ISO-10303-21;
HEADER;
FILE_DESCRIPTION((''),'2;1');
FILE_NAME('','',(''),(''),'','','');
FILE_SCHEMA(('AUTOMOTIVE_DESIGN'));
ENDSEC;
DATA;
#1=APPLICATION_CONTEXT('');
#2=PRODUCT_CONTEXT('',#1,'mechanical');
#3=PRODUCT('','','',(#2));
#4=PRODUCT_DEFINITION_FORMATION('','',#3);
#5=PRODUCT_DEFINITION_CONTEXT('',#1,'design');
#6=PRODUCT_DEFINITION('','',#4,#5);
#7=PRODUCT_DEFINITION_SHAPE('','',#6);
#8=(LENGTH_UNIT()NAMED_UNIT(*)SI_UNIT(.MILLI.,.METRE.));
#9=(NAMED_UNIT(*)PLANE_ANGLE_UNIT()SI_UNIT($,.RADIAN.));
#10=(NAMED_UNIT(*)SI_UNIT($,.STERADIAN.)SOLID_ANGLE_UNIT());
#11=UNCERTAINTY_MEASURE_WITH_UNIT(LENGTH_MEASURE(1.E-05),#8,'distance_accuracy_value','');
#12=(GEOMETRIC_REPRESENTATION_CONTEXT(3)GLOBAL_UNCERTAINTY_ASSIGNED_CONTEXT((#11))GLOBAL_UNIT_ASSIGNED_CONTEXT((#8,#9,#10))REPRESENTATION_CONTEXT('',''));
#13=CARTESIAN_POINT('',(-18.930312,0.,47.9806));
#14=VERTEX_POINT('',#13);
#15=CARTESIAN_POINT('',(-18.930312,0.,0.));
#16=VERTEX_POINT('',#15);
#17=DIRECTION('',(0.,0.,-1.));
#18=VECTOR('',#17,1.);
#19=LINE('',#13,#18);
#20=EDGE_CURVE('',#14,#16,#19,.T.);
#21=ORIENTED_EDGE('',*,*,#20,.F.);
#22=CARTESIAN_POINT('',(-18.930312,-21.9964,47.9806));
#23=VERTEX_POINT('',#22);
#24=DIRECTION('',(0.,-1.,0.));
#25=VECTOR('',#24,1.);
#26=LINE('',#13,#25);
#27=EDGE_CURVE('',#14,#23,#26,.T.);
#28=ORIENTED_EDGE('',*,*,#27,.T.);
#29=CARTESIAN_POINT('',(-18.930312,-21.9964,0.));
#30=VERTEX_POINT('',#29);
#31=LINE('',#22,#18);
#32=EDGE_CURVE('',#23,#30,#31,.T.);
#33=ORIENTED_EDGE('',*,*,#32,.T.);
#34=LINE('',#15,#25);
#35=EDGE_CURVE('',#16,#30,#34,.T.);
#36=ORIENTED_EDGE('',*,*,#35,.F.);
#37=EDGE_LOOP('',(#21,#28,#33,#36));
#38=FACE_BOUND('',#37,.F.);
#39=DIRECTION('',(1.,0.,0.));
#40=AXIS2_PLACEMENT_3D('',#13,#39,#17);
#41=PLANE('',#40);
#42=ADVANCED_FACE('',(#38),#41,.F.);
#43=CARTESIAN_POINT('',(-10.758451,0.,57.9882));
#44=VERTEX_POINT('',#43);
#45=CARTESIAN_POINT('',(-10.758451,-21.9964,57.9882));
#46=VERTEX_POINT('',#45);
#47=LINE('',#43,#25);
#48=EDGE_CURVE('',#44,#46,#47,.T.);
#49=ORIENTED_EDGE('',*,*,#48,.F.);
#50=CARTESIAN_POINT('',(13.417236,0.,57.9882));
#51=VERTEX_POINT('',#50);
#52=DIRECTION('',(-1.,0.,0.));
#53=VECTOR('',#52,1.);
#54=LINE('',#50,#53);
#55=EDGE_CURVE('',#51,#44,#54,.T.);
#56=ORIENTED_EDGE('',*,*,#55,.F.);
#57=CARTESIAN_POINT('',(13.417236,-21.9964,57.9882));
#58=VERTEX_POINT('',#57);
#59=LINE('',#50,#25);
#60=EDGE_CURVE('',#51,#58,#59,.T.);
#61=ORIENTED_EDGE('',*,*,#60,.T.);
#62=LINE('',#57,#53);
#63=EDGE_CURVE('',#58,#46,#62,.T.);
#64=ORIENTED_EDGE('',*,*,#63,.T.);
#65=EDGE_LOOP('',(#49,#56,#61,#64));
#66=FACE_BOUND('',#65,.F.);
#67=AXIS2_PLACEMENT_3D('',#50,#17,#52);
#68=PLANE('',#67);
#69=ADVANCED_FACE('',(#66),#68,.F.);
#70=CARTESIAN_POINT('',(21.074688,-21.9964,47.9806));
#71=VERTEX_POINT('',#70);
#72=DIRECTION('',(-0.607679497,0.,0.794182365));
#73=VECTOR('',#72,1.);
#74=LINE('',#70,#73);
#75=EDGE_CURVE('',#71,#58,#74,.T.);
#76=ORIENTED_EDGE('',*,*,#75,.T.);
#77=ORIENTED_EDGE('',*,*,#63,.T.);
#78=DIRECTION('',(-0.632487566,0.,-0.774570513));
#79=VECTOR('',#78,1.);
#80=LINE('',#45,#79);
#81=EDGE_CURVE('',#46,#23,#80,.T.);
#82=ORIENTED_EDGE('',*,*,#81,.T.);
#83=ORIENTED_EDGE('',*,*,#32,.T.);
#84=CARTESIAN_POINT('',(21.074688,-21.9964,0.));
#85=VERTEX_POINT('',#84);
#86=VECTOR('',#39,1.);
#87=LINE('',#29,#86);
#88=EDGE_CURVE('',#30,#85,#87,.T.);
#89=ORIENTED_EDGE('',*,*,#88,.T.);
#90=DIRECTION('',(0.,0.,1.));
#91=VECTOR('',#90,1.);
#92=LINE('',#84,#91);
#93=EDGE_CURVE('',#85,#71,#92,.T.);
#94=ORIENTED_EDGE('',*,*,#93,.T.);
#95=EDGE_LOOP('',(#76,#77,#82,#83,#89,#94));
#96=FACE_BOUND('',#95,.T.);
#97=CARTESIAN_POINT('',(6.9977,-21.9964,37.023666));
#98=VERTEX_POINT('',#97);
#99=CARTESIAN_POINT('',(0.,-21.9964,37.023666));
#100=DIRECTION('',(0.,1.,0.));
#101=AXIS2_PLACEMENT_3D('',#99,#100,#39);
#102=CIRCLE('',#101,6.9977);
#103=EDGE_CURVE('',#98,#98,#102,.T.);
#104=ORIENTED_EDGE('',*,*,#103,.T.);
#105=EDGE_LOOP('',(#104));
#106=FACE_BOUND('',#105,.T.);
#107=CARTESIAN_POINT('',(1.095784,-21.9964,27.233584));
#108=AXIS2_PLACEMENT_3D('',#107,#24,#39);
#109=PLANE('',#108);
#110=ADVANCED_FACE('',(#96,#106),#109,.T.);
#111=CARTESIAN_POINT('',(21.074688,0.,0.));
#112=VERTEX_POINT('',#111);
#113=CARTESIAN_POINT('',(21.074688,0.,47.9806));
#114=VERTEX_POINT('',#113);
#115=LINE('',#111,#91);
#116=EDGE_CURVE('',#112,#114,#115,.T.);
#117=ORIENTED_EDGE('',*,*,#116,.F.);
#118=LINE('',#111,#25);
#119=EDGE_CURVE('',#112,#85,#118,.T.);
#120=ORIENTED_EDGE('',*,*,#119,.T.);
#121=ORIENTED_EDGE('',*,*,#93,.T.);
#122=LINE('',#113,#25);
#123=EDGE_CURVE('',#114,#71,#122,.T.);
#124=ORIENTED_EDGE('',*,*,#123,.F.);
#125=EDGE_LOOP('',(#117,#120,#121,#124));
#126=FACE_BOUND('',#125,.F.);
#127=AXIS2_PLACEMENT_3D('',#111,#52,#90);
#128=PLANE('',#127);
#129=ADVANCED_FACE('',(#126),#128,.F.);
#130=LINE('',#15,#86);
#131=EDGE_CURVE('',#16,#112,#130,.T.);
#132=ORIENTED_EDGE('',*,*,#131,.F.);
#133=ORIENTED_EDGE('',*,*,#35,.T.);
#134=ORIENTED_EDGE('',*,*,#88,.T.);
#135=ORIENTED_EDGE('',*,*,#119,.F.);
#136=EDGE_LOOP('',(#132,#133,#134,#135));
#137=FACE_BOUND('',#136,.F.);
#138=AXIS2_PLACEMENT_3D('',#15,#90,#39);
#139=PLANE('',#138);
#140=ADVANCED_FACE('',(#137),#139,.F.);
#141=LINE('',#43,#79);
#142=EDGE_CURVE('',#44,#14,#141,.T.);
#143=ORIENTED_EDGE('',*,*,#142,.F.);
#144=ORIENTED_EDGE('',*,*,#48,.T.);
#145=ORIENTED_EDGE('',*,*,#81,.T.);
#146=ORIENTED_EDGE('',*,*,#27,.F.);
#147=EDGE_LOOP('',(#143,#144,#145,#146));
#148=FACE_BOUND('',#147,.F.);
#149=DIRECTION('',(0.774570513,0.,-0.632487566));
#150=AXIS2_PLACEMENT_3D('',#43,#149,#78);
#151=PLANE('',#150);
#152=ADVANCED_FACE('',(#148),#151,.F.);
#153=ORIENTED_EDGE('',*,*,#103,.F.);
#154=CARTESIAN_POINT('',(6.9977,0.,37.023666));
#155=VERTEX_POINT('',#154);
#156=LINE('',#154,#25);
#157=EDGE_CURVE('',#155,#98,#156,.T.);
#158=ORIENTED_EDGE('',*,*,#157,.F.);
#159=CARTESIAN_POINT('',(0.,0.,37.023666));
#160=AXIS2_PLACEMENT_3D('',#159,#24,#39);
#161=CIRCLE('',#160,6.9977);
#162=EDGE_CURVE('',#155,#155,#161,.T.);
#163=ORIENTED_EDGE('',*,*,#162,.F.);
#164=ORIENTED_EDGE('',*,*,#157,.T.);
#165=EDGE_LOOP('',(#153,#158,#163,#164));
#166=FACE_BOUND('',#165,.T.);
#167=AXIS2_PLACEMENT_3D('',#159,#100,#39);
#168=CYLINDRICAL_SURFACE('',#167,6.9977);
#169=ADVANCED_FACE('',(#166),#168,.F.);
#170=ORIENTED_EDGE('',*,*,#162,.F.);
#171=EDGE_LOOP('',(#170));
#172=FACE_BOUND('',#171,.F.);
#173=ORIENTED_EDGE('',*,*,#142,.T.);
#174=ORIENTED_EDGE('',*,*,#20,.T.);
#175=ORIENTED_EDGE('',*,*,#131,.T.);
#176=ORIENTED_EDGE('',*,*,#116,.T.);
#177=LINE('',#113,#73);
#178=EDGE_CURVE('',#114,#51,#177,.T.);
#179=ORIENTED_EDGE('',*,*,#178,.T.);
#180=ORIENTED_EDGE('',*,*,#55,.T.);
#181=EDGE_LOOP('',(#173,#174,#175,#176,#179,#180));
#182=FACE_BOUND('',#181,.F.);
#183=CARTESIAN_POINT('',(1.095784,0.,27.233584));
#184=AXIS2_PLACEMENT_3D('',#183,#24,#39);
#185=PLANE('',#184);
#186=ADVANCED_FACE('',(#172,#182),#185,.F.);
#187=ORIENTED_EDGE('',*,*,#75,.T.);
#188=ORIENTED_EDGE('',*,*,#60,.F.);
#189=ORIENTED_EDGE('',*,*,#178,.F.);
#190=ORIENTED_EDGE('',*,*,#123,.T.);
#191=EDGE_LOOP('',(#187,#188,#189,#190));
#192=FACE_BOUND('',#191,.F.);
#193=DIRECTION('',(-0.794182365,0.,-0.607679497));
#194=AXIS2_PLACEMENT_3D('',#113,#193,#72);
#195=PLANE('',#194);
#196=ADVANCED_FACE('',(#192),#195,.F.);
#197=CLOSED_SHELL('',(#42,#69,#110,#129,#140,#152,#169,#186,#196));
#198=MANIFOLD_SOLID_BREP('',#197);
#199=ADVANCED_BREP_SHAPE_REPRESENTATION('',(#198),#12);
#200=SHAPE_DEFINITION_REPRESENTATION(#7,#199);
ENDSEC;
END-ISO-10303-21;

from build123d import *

# Parameters (mm, degrees)
F1_DEPTH = 21.9964
F2_R     = 6.9977
F3_DEPTH = 57.15


with BuildPart() as f1:
    # F0 (on Front) → F1 (new body)
    with BuildSketch(Plane.XZ):
        Polygon((-18.930312, 47.9806), (-18.930312, 0), (21.074688, 0), (21.074688, 47.9806), (13.417236, 57.9882), (-10.758451, 57.9882), align=None)
    extrude(amount=F1_DEPTH)

    # F2 (on Front) → F3 (cut)
    with BuildSketch(Plane.XZ):
        with Locations((0, 37.023666)):
            Circle(F2_R)
    extrude(amount=F3_DEPTH, mode=Mode.SUBTRACT)


solid = f1.part
